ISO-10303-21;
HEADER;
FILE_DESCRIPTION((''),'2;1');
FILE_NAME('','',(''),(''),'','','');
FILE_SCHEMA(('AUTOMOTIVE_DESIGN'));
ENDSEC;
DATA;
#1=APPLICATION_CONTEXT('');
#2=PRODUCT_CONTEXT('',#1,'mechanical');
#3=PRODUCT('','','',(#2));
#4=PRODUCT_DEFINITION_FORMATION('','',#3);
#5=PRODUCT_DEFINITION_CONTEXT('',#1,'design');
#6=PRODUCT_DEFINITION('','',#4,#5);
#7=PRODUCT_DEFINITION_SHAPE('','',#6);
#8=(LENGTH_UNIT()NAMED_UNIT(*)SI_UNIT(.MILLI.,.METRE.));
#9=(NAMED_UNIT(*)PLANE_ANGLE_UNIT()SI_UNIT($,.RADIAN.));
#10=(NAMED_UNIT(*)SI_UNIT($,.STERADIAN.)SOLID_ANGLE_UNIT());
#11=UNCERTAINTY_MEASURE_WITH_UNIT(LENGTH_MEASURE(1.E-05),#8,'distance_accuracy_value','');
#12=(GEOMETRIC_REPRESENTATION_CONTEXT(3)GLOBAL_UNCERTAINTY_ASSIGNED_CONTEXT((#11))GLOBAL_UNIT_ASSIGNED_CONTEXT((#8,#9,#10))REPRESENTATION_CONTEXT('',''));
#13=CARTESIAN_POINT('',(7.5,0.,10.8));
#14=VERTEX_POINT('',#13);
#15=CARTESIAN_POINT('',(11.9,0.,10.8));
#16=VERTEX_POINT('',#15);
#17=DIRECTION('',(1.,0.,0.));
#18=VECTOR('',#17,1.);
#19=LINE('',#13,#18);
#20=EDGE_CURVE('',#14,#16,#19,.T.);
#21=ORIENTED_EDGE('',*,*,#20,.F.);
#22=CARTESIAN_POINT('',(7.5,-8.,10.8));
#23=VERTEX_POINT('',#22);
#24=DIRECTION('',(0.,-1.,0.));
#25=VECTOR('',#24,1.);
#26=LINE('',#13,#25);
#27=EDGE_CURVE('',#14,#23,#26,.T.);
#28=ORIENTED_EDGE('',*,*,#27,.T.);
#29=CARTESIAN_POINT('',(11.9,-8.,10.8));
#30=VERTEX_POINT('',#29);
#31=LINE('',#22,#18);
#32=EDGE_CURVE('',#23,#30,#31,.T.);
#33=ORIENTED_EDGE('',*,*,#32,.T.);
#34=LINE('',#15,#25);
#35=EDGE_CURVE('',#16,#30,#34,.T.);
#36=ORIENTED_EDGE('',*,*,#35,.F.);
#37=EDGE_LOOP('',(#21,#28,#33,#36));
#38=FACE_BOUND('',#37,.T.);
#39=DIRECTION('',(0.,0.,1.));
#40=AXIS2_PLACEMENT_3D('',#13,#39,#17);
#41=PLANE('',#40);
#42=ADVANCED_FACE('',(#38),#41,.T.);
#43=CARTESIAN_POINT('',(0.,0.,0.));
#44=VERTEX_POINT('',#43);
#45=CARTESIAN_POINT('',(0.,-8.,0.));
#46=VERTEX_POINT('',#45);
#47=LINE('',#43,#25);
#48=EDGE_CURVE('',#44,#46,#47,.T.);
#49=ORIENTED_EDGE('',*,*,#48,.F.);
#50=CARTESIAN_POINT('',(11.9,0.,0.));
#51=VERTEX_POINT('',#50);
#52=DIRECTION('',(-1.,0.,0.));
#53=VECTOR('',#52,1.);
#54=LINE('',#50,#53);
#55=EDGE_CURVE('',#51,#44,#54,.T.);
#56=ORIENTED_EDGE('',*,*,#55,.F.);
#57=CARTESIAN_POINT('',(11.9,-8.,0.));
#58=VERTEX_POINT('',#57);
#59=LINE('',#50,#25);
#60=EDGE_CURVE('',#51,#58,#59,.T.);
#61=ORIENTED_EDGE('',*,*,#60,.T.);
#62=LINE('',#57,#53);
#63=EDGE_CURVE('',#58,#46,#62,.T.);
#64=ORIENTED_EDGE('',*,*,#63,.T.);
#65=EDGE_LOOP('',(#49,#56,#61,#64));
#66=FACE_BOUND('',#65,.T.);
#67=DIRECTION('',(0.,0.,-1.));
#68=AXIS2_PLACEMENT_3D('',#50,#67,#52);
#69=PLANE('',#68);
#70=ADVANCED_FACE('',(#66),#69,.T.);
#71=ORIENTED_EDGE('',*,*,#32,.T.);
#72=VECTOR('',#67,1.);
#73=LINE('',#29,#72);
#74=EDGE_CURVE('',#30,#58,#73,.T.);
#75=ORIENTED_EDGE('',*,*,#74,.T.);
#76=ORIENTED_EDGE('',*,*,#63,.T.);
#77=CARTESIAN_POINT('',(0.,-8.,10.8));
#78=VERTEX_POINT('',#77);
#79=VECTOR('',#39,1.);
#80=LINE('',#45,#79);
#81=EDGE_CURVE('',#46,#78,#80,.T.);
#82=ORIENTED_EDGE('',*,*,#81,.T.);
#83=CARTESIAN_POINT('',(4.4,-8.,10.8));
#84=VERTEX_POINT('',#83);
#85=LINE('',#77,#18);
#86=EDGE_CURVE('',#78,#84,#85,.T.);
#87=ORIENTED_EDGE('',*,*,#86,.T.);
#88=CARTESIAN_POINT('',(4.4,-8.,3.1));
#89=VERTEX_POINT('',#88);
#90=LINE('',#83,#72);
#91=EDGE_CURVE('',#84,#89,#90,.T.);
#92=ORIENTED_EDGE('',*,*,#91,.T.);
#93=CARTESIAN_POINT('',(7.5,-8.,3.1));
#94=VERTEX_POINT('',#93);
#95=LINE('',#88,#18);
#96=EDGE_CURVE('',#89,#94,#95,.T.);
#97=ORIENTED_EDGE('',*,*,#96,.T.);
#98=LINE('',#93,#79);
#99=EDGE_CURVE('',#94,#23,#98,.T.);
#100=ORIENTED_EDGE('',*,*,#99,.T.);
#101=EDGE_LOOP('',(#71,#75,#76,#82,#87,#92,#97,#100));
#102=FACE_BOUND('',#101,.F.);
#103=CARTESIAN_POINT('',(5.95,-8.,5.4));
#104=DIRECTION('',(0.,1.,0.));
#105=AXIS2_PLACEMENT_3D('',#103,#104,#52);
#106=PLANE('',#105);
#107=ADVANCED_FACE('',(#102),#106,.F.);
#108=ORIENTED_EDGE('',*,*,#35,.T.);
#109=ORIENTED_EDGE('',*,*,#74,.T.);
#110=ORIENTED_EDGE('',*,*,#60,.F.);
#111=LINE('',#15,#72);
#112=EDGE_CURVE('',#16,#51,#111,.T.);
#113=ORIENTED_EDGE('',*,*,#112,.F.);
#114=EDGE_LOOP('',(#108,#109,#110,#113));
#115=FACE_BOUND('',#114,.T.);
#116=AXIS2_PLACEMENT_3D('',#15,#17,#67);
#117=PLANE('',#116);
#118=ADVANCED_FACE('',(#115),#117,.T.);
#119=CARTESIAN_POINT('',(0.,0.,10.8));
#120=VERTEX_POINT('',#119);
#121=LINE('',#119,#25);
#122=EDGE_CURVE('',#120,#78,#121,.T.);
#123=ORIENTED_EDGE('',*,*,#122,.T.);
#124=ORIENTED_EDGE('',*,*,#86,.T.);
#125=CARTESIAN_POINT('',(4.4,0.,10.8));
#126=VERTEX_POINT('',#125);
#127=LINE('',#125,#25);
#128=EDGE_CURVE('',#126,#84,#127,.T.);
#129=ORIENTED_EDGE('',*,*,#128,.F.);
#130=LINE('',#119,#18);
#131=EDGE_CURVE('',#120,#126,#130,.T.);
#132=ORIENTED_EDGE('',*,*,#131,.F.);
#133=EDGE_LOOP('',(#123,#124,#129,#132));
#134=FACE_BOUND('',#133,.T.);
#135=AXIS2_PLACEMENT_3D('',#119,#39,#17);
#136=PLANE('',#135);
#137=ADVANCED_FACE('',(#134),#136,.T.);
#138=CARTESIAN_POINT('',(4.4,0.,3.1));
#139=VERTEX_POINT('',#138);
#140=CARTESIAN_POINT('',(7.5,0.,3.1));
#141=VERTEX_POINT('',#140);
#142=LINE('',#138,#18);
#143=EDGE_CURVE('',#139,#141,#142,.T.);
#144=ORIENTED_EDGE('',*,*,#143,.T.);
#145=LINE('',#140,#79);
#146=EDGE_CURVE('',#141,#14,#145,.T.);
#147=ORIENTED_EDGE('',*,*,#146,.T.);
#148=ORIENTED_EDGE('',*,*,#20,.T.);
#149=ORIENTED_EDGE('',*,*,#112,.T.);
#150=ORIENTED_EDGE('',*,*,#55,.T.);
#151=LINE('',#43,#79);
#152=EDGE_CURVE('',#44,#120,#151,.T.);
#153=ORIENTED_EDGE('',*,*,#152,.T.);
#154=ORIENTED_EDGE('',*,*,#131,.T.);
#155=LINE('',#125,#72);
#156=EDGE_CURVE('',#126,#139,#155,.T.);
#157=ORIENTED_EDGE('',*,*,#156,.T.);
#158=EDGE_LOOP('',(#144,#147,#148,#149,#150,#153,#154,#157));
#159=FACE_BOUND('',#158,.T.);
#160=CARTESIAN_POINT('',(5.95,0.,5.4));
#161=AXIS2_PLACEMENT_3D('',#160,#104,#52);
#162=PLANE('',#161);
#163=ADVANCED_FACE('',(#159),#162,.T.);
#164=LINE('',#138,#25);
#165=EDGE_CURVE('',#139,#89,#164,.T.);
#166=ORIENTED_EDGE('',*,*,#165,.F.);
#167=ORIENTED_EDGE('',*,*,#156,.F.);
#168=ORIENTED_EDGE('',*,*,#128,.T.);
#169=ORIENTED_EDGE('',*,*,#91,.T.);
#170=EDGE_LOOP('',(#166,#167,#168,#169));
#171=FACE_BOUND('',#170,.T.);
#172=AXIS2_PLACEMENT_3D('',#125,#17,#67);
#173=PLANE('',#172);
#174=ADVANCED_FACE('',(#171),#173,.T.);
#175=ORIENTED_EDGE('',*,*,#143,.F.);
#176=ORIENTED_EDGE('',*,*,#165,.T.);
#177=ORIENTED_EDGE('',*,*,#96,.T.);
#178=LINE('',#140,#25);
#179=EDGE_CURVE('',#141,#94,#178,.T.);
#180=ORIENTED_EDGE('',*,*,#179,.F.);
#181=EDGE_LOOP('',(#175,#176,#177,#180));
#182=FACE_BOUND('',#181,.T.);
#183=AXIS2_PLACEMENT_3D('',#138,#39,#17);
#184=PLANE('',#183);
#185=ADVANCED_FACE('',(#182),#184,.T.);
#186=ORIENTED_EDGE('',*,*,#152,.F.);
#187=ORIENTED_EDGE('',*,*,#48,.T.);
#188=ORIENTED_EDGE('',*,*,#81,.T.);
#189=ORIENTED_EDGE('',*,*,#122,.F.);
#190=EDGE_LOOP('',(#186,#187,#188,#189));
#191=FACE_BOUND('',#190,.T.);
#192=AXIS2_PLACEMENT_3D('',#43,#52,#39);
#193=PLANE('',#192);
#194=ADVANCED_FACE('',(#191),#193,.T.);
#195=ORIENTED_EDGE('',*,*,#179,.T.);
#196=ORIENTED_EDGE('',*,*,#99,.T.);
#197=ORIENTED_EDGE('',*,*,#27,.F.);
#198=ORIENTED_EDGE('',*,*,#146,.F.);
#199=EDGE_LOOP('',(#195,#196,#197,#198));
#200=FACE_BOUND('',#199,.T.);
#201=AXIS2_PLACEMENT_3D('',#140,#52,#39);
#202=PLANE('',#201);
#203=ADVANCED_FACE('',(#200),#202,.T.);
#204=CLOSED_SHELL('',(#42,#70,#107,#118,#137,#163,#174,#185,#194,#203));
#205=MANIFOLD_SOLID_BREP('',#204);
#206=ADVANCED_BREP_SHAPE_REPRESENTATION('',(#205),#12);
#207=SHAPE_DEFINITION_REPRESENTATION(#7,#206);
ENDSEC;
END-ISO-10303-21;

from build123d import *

# Parameters (mm, degrees)
PAD_DEPTH = 8


with BuildPart() as part:
    # Sketch → Pad (new body)
    with BuildSketch(Plane.XZ):
        Polygon((0, 0), (0, 10.8), (4.4, 10.8), (4.4, 3.1), (7.5, 3.1), (7.5, 10.8), (11.9, 10.8), (11.9, 0), align=None)
    extrude(amount=PAD_DEPTH)


solid = part.part
